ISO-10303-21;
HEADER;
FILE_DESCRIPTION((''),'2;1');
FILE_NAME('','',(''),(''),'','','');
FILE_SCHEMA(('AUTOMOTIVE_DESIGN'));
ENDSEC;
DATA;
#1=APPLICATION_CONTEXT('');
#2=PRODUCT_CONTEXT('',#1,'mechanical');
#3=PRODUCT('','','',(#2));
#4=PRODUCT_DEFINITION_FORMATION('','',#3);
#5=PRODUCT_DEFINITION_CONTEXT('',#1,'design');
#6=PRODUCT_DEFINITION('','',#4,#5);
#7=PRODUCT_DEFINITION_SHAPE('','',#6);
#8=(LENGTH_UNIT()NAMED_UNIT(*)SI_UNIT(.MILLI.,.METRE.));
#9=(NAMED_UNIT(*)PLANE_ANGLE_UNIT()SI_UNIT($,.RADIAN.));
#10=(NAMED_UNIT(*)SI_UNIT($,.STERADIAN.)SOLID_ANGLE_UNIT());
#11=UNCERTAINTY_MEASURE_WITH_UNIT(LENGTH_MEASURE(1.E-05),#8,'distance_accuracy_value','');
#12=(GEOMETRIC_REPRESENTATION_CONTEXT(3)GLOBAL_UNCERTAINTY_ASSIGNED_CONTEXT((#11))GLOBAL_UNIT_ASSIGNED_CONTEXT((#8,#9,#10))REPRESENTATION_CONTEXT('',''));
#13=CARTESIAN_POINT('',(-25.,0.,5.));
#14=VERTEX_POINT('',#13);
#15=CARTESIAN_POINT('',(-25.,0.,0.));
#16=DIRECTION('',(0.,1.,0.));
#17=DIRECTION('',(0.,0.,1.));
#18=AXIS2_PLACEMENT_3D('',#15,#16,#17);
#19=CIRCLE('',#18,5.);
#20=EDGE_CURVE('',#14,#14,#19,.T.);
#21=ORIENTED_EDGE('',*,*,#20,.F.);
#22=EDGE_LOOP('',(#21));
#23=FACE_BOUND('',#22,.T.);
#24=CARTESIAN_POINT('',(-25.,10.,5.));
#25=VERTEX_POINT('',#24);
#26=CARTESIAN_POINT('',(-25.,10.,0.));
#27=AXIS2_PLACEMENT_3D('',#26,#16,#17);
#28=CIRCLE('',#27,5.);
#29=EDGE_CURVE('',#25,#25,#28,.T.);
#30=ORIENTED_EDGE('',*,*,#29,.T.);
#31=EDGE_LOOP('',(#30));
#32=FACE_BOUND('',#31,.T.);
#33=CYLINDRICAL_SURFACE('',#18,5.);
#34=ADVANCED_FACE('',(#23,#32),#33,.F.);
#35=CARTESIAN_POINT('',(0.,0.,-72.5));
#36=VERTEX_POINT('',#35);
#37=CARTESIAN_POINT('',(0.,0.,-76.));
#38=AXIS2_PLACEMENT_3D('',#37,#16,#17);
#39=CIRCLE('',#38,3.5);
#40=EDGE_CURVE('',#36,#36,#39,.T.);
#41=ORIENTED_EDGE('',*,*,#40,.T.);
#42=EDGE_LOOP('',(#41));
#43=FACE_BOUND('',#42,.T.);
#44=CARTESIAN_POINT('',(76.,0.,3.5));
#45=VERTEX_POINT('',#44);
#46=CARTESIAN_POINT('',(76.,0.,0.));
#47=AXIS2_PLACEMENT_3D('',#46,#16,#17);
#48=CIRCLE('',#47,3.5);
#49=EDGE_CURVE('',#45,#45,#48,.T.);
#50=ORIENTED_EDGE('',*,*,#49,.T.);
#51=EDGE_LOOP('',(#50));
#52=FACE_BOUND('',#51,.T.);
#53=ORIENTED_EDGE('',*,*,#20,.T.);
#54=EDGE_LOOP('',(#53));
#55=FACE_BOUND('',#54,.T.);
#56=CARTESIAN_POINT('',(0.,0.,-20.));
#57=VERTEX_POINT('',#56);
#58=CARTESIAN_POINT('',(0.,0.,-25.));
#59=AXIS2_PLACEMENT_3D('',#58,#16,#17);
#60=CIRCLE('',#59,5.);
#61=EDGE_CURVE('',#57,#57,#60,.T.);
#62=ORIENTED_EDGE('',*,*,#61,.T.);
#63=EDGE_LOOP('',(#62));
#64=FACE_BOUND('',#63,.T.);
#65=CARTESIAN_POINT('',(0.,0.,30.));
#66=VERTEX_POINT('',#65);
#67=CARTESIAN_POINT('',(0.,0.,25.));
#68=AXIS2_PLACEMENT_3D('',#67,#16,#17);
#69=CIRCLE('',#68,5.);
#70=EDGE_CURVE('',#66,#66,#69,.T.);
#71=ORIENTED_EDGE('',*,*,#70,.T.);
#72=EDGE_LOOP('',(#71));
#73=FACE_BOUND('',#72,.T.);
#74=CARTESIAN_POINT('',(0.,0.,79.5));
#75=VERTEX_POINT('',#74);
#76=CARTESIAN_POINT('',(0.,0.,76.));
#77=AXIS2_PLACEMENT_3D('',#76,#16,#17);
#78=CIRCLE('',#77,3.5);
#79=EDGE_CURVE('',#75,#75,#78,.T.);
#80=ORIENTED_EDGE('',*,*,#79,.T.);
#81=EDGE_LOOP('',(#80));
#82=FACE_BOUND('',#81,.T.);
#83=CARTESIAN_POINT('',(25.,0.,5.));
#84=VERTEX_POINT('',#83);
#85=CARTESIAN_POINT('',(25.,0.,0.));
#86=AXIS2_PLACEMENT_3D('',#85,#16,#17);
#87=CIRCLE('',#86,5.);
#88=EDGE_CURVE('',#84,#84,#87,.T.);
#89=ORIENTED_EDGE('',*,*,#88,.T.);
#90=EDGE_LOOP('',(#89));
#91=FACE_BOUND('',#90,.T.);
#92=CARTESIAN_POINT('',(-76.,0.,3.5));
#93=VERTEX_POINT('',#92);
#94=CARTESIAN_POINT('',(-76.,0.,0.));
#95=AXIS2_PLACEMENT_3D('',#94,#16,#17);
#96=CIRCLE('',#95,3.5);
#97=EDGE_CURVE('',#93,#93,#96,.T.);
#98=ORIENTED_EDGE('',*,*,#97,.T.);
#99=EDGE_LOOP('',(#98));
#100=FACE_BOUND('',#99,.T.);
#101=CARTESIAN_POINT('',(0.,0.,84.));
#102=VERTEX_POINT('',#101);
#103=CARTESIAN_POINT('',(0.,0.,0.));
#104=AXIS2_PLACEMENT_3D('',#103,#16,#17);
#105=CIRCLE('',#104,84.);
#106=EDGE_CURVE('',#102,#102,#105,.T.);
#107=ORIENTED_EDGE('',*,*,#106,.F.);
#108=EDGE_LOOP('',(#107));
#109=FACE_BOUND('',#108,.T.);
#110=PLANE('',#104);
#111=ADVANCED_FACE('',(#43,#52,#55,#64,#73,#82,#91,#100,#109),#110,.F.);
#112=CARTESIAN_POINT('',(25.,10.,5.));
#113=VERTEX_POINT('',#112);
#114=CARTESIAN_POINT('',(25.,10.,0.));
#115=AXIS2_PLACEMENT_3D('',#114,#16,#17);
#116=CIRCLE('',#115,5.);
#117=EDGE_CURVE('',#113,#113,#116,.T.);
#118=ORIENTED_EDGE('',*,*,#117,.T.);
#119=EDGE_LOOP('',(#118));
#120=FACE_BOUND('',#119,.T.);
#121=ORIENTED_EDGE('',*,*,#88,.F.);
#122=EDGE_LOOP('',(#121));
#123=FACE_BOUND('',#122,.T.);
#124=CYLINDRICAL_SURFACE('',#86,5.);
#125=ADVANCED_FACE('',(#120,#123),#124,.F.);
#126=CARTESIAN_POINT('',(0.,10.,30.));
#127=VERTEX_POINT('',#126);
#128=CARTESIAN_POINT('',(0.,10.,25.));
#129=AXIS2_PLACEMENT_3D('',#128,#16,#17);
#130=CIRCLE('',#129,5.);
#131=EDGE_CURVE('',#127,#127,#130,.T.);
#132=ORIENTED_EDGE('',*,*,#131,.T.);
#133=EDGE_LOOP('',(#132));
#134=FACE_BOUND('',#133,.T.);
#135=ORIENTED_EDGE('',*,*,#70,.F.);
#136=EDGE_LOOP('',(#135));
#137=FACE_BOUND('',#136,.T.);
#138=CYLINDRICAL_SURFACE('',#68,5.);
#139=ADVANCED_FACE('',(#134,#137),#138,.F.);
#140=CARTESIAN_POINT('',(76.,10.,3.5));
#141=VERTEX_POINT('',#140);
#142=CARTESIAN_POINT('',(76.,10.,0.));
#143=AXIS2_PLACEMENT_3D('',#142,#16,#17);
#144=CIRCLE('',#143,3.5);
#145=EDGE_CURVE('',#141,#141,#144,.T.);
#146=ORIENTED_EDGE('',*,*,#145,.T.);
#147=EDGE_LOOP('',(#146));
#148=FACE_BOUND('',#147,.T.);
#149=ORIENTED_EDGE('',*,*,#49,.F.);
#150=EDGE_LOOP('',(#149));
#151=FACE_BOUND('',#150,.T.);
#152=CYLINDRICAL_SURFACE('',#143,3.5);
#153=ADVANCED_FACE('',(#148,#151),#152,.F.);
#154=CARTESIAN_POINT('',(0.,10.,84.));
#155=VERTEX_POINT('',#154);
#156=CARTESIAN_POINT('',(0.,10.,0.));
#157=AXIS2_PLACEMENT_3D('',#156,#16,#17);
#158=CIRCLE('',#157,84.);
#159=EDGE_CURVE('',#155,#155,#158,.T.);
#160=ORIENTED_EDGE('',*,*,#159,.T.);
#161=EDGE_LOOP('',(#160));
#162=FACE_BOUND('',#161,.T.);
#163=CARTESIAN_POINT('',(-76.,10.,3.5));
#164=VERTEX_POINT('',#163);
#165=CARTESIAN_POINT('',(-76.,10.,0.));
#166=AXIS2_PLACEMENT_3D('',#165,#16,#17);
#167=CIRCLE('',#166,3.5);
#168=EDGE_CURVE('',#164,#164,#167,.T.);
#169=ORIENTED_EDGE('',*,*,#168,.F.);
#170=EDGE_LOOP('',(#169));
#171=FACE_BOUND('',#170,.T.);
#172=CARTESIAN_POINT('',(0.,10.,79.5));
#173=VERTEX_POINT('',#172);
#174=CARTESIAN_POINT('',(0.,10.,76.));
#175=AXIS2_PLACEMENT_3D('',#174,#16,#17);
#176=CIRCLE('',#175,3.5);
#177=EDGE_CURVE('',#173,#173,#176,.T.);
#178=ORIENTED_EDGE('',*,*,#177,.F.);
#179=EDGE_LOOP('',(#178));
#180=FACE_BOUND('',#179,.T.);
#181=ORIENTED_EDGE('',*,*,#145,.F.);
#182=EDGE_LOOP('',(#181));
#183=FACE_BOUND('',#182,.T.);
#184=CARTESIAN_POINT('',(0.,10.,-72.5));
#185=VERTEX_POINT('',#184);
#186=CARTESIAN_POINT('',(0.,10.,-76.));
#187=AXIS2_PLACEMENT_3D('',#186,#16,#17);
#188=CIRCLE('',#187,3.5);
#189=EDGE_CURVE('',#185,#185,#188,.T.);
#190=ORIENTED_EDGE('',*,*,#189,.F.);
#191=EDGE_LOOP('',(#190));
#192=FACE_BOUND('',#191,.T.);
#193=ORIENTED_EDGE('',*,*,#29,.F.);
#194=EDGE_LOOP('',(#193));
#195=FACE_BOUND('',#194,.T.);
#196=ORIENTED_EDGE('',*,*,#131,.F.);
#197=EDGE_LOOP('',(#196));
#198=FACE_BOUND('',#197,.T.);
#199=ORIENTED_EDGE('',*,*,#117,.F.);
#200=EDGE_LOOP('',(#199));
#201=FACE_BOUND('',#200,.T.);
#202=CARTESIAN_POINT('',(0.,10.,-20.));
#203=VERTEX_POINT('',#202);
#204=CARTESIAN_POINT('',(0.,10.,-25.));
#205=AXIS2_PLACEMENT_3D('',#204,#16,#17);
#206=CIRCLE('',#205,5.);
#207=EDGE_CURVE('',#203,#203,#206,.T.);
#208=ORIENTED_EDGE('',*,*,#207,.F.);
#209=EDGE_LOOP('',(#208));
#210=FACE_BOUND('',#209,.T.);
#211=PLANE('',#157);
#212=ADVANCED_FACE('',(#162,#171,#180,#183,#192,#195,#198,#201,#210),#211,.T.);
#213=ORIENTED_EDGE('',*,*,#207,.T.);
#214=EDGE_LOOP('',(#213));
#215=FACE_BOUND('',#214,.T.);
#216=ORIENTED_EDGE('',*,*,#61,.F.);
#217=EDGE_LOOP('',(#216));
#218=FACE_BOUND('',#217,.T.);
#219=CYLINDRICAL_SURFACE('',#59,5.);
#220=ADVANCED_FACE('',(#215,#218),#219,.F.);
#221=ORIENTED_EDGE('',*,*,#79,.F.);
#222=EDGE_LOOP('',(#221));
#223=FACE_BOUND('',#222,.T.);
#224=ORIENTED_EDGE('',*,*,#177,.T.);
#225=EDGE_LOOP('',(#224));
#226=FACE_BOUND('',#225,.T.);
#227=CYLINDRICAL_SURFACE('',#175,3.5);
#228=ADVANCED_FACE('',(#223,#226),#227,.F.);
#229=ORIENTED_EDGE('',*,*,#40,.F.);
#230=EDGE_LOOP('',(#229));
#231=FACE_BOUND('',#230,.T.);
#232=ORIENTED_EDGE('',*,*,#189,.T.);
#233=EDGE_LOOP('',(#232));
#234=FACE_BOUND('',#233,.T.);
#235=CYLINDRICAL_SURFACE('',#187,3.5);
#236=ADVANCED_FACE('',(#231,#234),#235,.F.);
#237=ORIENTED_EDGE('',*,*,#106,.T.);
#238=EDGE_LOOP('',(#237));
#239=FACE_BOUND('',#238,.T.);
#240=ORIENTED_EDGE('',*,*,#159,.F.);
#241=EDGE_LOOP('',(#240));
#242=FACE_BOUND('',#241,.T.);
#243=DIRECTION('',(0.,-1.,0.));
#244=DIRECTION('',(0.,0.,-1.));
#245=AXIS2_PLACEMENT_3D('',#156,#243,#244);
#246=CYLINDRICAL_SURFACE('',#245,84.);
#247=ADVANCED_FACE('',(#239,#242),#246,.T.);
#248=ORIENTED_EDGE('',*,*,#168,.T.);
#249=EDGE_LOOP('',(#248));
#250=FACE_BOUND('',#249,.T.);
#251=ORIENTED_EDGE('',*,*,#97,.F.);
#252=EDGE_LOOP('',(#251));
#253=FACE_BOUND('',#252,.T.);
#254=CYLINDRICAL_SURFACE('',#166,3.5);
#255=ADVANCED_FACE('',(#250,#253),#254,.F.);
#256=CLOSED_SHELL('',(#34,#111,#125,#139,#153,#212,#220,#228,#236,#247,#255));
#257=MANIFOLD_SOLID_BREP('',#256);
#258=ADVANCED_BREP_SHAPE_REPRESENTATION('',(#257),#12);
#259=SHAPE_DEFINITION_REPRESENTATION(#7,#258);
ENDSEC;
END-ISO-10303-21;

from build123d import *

# Parameters (mm, degrees)
SKETCH1_R            = 84
BOSS_EXTRUDE1_DEPTH  = 10
M6_CLEARANCE_HOLE1_D = 7
SKETCH4_R            = 5
CUT_EXTRUDE1_DEPTH   = 10


with BuildPart() as part:
    # Sketch1 → Boss-Extrude1 (new body)
    with BuildSketch(Plane(origin=(0, 0, 0), x_dir=(1, 0, 0), z_dir=(0, 1, 0))):
        with Locations(Location((0, 0, 0), (0, 0, 270))):
            Circle(SKETCH1_R)
    extrude(amount=BOSS_EXTRUDE1_DEPTH)

    # M6 Clearance Hole1 (through all)
    with Locations(Plane(origin=(0, 10, -76), x_dir=(0, 0, 1), z_dir=(0, 1, 0))):
        with Locations((0, 0), (76, -76), (152, 0), (76, 76)):
            Hole(M6_CLEARANCE_HOLE1_D / 2)

    # Sketch4 → Cut-Extrude1 (cut)
    with BuildSketch(Plane(origin=(0, 10, 0), x_dir=(1, 0, 0), z_dir=(0, 1, 0))):
        with Locations(Location((0, 25, 0), (0, 0, 270))):
            Circle(SKETCH4_R)
        with Locations(Location((25, 0, 0), (0, 0, 270))):
            Circle(SKETCH4_R)
        with Locations(Location((-25, 0, 0), (0, 0, 270))):
            Circle(SKETCH4_R)
        with Locations(Location((0, -25, 0), (0, 0, 270))):
            Circle(SKETCH4_R)
    extrude(amount=-CUT_EXTRUDE1_DEPTH, mode=Mode.SUBTRACT)


solid = part.part
